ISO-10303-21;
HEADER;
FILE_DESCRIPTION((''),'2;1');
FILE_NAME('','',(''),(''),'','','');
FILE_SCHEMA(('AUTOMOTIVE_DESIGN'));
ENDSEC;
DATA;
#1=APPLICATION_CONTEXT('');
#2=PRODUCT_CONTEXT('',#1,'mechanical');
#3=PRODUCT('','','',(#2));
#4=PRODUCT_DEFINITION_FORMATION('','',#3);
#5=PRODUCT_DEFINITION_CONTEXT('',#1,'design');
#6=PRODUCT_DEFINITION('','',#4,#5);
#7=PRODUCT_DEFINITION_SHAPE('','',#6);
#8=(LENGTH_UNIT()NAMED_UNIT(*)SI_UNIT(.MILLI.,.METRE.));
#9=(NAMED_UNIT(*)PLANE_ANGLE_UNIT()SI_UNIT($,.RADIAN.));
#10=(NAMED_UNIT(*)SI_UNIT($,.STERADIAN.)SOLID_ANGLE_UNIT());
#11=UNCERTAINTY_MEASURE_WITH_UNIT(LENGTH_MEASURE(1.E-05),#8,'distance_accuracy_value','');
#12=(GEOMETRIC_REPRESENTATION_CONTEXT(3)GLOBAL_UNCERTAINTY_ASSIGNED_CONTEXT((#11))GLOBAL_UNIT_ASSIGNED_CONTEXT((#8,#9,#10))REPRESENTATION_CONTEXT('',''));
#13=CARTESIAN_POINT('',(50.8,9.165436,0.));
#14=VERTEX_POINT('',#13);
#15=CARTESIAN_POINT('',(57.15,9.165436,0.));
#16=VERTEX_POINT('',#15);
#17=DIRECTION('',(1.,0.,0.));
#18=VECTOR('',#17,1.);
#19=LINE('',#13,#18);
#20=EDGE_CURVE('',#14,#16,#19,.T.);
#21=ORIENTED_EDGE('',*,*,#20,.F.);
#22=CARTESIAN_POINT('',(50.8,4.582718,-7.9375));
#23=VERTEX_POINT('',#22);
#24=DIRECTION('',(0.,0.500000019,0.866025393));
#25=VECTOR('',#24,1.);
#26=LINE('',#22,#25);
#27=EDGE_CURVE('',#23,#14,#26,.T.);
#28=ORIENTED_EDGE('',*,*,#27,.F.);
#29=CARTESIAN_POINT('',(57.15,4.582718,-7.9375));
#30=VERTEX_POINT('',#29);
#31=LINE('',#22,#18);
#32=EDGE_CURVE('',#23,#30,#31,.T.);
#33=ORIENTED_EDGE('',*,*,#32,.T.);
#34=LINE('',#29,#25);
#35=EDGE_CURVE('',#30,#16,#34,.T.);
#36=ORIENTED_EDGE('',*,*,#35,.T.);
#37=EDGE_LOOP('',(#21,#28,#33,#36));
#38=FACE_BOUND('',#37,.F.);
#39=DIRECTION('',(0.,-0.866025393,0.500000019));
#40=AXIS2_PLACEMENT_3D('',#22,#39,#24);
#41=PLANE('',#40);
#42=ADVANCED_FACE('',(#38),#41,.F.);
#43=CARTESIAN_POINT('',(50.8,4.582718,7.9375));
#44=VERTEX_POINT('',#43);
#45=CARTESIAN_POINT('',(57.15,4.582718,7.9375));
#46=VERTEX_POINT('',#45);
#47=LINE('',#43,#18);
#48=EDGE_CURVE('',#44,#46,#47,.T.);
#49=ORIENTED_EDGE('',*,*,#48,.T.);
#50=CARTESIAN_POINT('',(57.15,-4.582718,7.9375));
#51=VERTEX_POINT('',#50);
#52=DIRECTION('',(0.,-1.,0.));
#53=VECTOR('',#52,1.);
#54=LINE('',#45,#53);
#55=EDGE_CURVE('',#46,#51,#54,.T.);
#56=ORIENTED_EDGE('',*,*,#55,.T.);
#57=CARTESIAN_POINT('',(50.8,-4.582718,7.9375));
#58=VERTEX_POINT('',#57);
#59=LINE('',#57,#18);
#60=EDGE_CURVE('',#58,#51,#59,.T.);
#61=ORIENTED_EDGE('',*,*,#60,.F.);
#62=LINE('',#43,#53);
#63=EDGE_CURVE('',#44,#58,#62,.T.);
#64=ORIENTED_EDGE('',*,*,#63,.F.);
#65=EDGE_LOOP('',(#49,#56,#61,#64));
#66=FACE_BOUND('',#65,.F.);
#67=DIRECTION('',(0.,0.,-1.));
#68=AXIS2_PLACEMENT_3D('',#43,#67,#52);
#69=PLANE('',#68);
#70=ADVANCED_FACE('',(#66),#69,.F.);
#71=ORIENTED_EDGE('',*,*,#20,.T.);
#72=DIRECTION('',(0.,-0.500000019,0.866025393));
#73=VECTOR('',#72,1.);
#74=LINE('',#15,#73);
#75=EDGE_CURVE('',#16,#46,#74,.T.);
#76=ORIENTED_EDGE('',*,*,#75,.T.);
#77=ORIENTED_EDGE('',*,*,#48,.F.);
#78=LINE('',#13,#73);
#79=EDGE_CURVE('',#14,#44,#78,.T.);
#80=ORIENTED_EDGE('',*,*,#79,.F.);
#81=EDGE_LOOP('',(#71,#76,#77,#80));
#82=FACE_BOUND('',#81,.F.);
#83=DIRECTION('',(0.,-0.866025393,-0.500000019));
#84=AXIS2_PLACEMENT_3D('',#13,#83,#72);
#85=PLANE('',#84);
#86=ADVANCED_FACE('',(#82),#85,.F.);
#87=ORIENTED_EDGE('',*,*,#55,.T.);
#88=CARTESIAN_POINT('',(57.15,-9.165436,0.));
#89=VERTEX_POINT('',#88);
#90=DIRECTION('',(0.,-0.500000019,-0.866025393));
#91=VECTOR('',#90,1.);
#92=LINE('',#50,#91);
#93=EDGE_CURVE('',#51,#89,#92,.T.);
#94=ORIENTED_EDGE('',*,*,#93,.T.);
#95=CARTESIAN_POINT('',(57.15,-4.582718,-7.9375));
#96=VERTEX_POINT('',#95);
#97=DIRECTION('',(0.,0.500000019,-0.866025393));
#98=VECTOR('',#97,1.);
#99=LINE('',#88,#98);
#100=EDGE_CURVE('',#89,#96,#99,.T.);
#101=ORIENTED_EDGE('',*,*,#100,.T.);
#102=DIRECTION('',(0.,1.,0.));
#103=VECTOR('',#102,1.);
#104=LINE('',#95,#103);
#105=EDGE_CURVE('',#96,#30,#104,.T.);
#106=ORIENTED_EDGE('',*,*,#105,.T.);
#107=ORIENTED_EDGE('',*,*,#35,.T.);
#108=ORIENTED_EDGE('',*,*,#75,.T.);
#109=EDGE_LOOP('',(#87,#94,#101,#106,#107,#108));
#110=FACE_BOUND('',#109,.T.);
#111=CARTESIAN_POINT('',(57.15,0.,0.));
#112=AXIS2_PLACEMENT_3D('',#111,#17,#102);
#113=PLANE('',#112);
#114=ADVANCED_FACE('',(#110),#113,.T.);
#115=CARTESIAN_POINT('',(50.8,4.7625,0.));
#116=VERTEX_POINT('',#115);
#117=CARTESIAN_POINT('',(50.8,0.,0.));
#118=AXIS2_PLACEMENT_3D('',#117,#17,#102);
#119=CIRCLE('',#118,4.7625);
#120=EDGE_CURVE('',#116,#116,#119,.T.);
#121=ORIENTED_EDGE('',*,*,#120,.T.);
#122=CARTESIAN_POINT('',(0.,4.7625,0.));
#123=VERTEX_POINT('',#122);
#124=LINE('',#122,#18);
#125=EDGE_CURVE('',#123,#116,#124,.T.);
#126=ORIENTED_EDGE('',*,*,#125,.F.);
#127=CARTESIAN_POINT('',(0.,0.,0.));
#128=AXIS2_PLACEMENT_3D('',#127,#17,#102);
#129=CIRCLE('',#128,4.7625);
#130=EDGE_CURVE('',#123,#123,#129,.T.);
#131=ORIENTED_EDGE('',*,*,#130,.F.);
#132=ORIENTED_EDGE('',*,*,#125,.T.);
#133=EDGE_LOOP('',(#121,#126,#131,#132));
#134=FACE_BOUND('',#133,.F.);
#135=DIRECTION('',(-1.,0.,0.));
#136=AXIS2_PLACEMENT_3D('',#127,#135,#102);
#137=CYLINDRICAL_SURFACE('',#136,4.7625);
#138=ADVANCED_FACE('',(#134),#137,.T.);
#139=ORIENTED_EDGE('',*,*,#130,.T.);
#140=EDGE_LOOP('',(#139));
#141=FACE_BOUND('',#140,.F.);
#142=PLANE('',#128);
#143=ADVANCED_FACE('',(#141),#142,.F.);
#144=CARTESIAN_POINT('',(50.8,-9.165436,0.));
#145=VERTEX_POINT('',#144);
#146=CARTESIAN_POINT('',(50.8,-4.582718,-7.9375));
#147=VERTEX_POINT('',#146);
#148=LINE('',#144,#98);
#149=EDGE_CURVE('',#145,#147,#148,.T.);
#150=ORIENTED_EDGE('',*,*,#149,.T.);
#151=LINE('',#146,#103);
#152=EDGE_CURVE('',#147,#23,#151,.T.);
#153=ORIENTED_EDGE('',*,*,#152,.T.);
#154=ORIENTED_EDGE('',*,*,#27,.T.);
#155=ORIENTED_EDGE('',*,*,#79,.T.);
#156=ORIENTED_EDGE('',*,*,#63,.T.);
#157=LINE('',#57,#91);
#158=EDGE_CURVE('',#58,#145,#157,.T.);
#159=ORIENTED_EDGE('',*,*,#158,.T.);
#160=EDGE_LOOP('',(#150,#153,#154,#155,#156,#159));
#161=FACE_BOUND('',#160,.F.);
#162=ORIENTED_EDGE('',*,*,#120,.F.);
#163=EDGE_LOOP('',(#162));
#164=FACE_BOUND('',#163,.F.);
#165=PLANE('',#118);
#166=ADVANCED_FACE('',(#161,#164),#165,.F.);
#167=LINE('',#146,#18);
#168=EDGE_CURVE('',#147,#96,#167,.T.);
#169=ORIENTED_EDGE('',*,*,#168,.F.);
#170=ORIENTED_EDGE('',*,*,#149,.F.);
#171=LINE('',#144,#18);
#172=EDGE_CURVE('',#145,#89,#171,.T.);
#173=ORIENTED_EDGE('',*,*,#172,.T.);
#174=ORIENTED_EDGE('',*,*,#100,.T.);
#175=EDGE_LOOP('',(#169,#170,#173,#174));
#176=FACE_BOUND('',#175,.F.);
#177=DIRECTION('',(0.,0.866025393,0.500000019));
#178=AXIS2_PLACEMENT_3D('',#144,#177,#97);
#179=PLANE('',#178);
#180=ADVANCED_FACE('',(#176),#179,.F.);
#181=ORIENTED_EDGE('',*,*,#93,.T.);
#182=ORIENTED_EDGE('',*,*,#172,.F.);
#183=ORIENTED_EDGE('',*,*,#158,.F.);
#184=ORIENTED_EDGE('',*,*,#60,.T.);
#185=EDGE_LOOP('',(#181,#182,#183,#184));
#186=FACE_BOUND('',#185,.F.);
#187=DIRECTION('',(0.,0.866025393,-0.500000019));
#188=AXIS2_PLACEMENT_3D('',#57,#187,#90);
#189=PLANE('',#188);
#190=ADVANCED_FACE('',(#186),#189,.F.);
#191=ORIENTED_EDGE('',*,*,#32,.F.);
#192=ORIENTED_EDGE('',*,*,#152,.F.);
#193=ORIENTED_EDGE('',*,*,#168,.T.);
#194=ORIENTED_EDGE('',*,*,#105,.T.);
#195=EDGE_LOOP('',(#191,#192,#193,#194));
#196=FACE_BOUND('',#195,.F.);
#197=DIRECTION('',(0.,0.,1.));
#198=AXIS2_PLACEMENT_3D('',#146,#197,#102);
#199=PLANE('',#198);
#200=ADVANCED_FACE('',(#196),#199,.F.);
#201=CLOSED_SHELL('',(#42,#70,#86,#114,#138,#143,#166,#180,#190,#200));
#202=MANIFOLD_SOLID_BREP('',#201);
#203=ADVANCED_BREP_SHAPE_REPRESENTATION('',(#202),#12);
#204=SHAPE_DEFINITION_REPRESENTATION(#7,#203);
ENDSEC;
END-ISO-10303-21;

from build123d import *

# Parameters (mm, degrees)
F0_R     = 4.7625
F1_DEPTH = 50.8
F3_DEPTH = 6.35


with BuildPart() as f1:
    # F0 (on Right) → F1 (new body)
    with BuildSketch(Plane.YZ):
        Circle(F0_R)
    extrude(amount=F1_DEPTH)

    # F2 (on face) → F3 (join)
    with BuildSketch(Plane.YZ.offset(50.8)):
        Polygon((4.582718, 7.9375), (-4.582718, 7.9375), (-9.165436, 0), (-4.582718, -7.9375), (4.582718, -7.9375), (9.165436, 0), align=None)
    extrude(amount=F3_DEPTH)


solid = f1.part
